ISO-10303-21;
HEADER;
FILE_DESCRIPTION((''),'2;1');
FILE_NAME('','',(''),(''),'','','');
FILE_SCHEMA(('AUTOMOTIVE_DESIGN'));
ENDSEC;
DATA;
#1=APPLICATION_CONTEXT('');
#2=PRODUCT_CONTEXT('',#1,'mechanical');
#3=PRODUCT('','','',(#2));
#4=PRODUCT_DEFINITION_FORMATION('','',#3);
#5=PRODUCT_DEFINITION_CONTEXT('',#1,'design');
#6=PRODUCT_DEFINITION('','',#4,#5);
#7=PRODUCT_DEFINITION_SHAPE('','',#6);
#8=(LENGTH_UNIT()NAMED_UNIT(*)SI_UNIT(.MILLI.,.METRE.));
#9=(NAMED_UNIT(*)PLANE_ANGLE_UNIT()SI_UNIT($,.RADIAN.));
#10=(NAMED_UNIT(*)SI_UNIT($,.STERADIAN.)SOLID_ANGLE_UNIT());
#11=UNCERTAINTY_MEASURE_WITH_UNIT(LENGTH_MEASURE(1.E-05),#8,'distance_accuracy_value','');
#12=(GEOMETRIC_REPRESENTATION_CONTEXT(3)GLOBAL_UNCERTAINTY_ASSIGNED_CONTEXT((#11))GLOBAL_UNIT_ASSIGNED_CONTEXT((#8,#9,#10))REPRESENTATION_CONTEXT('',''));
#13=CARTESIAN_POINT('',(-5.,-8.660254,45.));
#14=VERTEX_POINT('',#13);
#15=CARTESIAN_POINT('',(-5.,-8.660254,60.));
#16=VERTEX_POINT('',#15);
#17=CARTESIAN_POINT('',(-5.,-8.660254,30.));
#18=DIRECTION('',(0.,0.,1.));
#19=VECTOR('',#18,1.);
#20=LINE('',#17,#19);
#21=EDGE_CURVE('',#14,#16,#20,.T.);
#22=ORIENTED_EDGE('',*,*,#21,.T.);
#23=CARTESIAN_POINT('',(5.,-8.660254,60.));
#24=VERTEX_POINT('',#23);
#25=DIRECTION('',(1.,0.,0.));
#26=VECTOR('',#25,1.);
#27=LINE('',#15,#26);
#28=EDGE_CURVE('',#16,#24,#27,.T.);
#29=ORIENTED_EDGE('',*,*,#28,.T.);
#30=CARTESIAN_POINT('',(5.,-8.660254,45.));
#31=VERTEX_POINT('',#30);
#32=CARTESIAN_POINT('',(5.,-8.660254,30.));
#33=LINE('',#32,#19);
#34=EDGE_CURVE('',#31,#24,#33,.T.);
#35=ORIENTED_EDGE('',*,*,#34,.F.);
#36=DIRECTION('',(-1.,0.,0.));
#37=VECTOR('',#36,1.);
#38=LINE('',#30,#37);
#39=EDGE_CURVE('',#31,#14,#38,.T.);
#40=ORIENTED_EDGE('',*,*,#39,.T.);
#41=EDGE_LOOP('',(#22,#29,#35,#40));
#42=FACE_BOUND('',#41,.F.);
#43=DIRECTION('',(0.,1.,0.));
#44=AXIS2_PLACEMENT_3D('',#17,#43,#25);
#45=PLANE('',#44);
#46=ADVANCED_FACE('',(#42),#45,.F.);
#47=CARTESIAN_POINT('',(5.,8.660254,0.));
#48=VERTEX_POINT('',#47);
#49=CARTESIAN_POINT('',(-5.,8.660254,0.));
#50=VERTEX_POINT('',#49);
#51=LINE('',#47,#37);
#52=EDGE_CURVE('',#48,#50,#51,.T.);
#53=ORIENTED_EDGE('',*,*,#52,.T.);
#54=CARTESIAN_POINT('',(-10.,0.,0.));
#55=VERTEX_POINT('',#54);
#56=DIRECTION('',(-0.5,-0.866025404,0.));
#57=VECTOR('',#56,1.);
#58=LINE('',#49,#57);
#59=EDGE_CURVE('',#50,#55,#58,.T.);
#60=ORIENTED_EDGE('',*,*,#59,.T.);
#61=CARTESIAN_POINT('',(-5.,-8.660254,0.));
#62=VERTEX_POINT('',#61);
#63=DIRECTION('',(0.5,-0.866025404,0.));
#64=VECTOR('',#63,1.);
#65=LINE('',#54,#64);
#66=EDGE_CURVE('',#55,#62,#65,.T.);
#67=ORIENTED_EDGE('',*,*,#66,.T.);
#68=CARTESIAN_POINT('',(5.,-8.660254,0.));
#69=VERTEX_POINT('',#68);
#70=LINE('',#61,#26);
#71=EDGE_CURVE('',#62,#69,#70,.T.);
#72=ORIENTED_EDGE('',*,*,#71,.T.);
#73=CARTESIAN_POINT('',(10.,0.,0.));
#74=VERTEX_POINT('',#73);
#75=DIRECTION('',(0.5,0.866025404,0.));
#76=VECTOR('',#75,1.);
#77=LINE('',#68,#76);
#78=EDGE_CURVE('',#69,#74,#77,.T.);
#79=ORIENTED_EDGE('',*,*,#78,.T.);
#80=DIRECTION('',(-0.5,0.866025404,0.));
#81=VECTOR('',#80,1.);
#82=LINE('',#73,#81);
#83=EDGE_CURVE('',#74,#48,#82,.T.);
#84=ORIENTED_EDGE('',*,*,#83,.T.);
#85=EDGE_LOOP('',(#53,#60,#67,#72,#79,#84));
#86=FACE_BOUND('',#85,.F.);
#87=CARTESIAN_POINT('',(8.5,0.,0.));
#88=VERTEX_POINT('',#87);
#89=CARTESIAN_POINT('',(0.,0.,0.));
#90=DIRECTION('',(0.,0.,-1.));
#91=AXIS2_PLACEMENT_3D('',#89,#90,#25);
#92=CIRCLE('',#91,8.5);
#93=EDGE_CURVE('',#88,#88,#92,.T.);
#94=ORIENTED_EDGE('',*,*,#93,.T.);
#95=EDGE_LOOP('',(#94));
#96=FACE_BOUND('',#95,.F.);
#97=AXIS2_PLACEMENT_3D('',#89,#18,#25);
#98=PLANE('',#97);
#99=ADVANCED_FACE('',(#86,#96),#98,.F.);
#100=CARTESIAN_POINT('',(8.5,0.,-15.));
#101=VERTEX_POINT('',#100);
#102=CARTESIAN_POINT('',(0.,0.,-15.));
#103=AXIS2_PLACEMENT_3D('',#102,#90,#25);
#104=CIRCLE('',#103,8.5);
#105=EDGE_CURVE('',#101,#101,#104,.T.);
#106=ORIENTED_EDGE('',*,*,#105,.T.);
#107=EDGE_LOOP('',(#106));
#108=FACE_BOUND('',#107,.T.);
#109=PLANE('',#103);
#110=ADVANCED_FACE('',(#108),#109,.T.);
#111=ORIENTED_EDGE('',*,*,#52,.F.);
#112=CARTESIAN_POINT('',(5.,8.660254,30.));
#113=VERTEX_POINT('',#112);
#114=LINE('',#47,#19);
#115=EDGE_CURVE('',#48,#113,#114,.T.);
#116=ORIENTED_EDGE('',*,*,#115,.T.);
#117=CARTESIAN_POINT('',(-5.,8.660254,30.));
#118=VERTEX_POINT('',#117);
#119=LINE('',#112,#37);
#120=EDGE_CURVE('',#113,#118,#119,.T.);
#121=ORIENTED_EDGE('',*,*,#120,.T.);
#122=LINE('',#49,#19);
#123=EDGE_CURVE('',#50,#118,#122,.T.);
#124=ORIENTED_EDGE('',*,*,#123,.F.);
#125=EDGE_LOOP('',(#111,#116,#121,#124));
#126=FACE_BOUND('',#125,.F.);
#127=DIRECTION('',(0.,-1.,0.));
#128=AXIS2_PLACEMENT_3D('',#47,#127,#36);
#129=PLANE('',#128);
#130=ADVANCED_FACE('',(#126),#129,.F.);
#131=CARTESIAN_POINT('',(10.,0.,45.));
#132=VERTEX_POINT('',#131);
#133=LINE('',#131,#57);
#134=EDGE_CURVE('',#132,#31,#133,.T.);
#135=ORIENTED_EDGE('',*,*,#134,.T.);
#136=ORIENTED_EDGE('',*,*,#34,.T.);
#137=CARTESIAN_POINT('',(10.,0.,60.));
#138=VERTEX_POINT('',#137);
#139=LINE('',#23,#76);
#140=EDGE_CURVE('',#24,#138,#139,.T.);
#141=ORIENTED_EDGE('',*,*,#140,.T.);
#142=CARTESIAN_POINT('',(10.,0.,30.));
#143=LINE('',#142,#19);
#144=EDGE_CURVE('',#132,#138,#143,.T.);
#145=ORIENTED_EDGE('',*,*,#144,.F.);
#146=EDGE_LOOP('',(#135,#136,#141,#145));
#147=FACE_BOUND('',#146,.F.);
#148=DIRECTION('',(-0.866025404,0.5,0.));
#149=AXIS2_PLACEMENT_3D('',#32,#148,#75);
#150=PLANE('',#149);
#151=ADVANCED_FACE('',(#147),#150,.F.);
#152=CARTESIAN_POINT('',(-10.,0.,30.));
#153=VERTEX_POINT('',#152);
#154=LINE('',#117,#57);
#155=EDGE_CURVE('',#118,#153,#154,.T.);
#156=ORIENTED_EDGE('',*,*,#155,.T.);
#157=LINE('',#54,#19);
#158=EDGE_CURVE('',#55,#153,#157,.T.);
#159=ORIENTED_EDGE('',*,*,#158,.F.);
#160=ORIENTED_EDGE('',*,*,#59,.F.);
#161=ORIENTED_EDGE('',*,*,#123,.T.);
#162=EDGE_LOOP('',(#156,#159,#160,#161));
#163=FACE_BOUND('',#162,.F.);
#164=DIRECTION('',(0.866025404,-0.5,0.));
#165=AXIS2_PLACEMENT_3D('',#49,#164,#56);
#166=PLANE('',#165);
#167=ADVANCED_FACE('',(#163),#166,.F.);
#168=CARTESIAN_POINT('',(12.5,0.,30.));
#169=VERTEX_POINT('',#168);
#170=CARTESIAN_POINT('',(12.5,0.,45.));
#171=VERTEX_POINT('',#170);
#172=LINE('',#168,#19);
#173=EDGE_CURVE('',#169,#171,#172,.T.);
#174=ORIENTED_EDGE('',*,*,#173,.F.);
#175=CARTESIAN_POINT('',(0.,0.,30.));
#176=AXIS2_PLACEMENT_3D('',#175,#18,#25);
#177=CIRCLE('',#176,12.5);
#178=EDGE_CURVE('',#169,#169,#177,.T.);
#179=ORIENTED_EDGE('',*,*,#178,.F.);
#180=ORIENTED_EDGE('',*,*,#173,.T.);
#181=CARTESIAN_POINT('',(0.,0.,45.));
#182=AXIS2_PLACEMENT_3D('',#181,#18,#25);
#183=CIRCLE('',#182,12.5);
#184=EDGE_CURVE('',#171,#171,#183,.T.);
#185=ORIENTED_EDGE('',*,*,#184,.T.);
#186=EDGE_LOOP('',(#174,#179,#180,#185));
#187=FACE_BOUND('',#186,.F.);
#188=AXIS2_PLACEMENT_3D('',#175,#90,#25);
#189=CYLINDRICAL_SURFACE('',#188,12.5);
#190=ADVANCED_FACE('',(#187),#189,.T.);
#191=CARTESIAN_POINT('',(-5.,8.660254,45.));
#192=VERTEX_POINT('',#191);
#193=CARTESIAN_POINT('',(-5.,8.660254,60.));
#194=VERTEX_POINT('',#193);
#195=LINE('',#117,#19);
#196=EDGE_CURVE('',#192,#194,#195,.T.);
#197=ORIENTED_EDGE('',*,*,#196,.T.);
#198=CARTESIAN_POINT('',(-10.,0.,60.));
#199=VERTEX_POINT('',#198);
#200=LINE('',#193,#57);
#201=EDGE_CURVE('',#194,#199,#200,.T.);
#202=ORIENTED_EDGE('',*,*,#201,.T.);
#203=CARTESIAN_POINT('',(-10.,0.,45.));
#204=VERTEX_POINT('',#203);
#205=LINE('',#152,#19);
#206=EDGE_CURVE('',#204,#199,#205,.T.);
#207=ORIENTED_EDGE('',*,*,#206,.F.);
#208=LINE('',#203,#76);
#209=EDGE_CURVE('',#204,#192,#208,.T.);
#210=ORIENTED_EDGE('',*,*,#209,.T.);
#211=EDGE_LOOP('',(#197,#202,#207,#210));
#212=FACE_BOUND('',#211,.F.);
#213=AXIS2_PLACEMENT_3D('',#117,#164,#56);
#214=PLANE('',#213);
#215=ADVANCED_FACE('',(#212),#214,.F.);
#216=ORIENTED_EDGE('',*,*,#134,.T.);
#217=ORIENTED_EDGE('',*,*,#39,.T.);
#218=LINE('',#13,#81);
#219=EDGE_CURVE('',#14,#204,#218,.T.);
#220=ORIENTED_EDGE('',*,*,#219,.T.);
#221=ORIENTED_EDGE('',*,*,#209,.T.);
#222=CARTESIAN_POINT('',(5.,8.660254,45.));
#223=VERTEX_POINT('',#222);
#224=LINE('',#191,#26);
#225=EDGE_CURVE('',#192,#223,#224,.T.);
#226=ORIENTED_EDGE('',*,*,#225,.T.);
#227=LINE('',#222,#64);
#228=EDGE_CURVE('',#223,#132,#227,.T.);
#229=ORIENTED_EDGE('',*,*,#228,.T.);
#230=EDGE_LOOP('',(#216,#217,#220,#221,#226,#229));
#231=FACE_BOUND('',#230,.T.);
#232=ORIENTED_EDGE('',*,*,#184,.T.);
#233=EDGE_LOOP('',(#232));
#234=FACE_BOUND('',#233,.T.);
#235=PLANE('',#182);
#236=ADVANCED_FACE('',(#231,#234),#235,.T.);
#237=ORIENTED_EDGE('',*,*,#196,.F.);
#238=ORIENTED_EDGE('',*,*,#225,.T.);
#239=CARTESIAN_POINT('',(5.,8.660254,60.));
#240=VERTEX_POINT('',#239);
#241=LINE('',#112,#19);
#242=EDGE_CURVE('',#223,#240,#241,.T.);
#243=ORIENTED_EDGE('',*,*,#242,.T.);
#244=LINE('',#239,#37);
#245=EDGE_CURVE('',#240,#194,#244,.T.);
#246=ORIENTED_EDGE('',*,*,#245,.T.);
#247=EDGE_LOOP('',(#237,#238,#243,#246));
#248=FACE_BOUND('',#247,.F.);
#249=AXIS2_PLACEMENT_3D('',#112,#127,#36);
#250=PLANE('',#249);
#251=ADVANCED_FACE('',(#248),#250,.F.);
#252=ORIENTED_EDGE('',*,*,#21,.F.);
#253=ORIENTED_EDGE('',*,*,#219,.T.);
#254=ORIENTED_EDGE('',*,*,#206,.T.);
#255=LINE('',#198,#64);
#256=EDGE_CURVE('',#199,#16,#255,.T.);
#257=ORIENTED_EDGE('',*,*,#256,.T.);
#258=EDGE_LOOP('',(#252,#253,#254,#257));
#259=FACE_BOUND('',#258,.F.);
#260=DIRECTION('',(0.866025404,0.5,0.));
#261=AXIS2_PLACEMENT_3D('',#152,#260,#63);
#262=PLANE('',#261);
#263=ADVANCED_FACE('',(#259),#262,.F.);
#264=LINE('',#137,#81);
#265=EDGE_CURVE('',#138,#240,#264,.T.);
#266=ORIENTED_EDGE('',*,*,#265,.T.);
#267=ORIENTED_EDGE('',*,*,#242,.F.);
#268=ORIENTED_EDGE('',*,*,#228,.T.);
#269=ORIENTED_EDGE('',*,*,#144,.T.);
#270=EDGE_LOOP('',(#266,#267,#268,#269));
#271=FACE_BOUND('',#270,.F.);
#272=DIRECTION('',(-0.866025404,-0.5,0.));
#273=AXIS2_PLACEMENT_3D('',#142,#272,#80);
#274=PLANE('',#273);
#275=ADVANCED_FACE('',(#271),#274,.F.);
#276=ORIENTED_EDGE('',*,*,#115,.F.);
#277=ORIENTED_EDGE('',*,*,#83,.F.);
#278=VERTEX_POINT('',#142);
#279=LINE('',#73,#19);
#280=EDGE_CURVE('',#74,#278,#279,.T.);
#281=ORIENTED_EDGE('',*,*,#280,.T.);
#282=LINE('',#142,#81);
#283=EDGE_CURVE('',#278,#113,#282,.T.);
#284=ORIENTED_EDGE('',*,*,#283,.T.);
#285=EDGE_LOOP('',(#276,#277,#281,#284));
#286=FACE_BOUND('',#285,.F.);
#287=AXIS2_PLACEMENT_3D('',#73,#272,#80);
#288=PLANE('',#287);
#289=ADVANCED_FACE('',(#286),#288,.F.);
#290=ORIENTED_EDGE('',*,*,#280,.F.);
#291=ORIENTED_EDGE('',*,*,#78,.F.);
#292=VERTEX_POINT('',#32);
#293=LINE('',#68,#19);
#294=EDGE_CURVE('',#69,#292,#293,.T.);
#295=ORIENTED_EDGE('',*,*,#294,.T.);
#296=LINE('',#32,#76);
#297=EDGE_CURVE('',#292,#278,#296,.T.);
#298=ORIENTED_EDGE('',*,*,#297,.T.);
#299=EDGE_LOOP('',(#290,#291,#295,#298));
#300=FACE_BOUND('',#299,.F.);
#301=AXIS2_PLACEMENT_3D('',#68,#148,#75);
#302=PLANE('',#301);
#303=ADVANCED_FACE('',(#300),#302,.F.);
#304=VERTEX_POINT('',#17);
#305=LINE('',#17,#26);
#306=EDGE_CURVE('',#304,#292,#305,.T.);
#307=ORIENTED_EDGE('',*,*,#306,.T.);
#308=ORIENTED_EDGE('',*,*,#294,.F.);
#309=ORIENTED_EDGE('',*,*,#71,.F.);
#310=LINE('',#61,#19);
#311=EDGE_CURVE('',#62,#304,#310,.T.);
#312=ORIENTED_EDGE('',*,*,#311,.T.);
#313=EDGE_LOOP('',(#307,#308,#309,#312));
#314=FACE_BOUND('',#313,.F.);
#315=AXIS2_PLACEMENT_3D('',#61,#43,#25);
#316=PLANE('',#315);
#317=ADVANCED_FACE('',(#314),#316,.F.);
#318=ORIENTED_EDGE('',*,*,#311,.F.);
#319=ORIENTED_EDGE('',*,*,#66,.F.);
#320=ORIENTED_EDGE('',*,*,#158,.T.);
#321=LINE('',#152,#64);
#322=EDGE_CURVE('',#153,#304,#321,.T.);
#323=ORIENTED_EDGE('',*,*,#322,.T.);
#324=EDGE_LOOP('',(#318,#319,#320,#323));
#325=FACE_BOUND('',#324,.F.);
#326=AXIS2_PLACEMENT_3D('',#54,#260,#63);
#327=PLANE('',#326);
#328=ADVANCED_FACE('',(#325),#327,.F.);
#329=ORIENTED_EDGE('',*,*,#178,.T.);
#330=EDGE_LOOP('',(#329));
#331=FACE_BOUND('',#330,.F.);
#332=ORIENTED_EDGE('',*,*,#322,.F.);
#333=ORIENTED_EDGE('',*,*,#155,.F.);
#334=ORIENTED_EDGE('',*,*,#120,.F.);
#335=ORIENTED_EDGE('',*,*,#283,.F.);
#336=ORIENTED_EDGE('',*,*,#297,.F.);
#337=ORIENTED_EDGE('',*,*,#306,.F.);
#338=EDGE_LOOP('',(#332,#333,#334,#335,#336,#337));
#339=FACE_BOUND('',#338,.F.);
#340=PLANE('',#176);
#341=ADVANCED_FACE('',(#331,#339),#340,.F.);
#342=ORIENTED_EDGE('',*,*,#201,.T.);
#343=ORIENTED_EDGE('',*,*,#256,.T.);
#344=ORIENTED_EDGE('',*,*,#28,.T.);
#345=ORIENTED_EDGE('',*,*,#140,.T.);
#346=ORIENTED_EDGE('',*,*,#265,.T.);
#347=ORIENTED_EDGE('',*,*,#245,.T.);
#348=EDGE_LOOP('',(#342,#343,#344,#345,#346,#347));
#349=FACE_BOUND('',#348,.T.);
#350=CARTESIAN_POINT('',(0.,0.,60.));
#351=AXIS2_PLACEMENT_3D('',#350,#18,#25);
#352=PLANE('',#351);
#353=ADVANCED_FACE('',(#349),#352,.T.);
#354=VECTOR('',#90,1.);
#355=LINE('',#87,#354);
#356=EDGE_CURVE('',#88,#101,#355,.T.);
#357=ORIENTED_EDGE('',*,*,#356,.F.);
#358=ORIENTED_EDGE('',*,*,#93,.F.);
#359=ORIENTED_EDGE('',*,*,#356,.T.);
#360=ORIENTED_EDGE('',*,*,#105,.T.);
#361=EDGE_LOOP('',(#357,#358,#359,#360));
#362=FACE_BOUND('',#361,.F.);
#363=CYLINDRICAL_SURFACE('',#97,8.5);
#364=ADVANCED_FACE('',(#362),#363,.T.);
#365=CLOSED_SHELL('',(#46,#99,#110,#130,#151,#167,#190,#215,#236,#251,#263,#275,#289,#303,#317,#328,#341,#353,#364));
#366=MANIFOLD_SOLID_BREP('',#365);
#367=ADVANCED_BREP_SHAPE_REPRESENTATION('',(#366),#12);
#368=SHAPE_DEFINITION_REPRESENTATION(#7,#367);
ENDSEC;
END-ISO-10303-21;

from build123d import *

# Parameters (mm, degrees)
F1_DEPTH = 30
F2_R     = 12.5
F3_DEPTH = 15
F4_DEPTH = 30
F5_R     = 8.5
F6_DEPTH = 15


with BuildPart() as f1:
    # F0 (on Top) → F1 (new body)
    with BuildSketch(Plane.XY):
        Polygon((-5, 8.6602540378), (-10, 0), (-5, -8.6602540378), (5, -8.6602540378), (10, 0), (5, 8.6602540378), align=None)
    extrude(amount=F1_DEPTH)

    # F2 (on face) → F3 (join)
    with BuildSketch(Plane.XY.offset(30)):
        Circle(F2_R)
        Polygon((-10, 0), (-5, 8.6602540378), (5, 8.6602540378), (10, 0), (5, -8.6602540378), (-5, -8.6602540378), align=None, mode=Mode.SUBTRACT)
    extrude(amount=F3_DEPTH)

    # F4 (add): a face of the model
    f4_faces = [f1.faces().sort_by_distance(p)[0] for p in [
        (0, 0, 30),
    ]]
    extrude(f4_faces, amount=F4_DEPTH)

    # F5 (on face) → F6 (join)
    with BuildSketch(Plane(origin=(0, 0, 0), x_dir=(1, 0, 0), z_dir=(0, 0, -1))):
        Circle(F5_R)
    extrude(amount=F6_DEPTH)


solid = f1.part
